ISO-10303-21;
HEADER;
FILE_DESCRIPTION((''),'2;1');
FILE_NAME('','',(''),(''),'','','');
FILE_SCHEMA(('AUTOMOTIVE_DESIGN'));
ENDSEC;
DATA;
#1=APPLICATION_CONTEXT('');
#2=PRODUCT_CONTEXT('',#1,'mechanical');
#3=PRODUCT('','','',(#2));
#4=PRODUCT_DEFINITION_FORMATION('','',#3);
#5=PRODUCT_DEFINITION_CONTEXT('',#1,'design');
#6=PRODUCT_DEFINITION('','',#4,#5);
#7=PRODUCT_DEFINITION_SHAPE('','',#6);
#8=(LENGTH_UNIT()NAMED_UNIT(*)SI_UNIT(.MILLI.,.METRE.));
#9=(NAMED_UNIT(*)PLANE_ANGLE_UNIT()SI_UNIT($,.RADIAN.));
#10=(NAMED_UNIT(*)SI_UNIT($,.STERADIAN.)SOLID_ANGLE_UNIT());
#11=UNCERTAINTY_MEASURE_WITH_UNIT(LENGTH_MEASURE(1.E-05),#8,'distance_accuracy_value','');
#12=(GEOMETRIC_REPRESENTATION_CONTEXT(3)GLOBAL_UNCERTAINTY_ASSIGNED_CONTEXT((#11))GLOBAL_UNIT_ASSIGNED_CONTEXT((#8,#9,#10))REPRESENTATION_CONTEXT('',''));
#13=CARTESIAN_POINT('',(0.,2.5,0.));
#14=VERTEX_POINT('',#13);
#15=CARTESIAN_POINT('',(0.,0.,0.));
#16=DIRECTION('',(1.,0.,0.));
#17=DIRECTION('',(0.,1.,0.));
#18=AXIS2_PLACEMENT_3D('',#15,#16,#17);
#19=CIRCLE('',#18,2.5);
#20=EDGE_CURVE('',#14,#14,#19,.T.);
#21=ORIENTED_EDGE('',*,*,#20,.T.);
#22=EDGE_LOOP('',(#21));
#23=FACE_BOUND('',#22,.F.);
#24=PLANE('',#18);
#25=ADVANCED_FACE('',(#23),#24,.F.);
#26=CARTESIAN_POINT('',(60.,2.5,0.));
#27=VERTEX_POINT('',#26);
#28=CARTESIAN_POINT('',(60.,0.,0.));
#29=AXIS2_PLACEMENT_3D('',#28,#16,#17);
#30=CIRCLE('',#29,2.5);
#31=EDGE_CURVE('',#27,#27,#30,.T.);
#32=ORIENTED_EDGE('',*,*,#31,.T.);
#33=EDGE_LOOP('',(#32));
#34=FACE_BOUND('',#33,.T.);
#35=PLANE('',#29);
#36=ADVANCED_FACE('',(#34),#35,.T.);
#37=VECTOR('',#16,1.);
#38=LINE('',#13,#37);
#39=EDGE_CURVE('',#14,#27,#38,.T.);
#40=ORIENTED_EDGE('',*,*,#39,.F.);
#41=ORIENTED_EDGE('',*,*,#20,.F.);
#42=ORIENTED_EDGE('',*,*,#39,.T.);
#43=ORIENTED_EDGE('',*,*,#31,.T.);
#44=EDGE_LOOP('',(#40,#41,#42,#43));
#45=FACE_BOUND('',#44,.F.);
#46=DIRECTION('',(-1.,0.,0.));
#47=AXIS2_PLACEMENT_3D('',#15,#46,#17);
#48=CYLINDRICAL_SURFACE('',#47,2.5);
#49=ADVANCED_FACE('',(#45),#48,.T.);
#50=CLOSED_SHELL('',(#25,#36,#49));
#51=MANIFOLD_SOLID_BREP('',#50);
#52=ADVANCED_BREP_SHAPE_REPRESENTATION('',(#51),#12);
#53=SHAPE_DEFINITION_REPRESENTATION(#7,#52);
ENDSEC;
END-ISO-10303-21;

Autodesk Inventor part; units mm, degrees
ref_plane "YZ Plane" through (0, 0, 0) normal (1, 0, 0) x (0, 1, 0)
ref_plane "XZ Plane" through (0, 0, 0) normal (0, 1, 0) x (-1, 0, 0)
ref_plane "XY Plane" through (0, 0, 0) normal (0, 0, 1) x (1, 0, 0)
sketch "Sketch1" plane through (0, 0, 0) normal (1, 0, 0) x (0, 1, 0)
  circle A0 centre (0, 0) radius 2.5
  dimension "d0" = 5
extrude "Extrusion1" add sketch "Sketch1" along normal blind 60
thread "Thread1" size "3/8-32 UNEF" class "2A" standard "ANSI Unified Screw Threads" full length
properties part number "Forefingers Rod6"
